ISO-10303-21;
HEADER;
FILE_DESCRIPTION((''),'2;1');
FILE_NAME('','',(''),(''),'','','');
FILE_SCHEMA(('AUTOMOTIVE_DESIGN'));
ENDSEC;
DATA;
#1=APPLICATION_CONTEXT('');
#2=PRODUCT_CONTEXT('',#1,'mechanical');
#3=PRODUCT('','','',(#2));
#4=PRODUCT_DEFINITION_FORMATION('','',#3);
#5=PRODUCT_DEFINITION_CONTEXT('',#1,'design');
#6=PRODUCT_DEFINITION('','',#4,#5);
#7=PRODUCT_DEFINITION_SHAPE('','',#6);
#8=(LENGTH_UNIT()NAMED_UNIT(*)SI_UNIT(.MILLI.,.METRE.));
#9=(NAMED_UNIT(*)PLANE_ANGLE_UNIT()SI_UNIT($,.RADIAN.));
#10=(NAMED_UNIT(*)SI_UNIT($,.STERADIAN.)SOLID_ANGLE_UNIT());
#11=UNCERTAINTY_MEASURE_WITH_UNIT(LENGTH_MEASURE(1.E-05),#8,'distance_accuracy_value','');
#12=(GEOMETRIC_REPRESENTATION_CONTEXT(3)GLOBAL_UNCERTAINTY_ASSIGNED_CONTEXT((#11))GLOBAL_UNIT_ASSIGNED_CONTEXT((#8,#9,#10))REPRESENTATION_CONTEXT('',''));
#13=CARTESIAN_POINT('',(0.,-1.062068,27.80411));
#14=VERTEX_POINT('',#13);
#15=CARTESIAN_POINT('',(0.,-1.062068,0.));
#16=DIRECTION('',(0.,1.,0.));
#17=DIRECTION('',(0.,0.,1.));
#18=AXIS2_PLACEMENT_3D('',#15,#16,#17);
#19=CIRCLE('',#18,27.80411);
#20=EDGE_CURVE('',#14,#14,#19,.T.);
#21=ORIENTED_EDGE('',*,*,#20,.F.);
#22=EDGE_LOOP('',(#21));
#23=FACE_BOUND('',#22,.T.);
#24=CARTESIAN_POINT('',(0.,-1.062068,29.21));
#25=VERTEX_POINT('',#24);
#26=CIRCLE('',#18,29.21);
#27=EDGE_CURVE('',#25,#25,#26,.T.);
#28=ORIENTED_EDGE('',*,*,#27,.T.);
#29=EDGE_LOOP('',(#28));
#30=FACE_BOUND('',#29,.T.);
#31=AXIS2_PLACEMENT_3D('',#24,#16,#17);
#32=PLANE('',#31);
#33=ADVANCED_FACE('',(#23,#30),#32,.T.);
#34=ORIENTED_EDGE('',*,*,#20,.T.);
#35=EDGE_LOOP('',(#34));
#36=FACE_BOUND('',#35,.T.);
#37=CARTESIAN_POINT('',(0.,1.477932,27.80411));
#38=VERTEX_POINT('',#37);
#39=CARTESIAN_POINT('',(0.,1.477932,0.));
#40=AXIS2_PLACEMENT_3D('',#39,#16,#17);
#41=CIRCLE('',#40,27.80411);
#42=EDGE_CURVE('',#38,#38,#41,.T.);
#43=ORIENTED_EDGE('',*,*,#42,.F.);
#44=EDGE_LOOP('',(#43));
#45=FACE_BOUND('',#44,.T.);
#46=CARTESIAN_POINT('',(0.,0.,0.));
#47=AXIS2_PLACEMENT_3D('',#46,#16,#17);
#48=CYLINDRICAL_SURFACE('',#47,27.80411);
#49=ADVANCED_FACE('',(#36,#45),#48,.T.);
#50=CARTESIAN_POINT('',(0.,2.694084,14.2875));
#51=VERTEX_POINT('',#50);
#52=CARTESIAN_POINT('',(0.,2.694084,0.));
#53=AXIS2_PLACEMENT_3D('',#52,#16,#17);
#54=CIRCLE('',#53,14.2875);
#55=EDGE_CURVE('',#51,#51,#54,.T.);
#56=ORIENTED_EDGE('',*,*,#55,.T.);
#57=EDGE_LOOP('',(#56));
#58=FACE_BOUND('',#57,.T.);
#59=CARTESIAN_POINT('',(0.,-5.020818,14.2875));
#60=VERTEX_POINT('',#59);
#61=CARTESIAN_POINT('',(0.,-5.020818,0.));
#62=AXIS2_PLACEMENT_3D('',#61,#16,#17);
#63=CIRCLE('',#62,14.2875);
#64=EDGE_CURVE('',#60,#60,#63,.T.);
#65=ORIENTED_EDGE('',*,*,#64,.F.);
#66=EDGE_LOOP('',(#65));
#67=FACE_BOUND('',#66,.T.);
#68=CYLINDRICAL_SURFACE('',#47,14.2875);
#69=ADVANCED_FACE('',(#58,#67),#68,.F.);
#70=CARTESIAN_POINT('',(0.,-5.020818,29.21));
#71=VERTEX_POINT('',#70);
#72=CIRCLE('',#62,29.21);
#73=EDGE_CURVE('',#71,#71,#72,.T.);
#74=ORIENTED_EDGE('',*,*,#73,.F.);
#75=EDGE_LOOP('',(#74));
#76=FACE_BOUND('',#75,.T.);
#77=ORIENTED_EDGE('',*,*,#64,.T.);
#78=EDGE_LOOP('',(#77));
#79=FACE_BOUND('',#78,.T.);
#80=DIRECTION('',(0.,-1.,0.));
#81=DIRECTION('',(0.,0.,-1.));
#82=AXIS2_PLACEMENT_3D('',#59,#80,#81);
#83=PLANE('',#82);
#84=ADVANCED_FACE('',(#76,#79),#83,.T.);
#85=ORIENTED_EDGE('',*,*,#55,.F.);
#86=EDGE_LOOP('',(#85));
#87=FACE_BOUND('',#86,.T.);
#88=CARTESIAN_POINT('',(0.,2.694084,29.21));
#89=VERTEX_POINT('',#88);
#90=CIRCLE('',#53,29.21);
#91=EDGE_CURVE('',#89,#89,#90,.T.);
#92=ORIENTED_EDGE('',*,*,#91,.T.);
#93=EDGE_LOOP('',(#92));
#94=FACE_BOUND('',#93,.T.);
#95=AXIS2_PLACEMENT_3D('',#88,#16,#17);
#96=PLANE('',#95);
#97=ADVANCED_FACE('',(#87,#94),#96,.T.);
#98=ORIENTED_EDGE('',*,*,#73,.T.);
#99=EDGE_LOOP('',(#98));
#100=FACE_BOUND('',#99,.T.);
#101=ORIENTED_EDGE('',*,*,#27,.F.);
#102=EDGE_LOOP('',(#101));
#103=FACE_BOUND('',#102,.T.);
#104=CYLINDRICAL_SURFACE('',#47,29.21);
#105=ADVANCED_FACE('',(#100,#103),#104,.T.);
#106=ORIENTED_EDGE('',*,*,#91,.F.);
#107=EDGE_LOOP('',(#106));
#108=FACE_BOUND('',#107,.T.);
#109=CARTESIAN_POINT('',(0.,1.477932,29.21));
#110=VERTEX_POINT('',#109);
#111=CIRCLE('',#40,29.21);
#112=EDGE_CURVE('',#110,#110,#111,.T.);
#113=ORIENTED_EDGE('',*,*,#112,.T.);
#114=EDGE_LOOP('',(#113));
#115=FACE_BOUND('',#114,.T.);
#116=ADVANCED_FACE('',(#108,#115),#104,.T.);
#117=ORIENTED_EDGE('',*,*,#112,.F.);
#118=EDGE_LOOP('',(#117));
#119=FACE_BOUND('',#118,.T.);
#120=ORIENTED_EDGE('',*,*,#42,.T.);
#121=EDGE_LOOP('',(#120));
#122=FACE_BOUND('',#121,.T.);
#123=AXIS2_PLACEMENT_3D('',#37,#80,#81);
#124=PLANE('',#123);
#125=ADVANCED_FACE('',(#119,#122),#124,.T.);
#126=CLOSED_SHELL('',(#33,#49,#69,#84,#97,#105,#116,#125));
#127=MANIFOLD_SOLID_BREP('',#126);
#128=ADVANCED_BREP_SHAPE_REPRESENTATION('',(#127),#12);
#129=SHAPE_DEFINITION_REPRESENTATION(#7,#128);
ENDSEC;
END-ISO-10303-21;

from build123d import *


with BuildPart() as part:
    # Sketch1 → Revolve1 (revolve)
    with BuildSketch(Plane(origin=(0, 0, 0), x_dir=(0, 0, -1), z_dir=(1, 0, 0))):
        Polygon((-14.2875, 2.694084), (-14.2875, -5.020818), (-29.21, -5.020818), (-29.21, -1.062068), (-27.80411, -1.062068), (-27.80411, 1.477932), (-29.21, 1.477932), (-29.21, 2.694084), align=None)
    revolve(axis=Axis((0, 0, 0), (0, -1, 0)))


solid = part.part
